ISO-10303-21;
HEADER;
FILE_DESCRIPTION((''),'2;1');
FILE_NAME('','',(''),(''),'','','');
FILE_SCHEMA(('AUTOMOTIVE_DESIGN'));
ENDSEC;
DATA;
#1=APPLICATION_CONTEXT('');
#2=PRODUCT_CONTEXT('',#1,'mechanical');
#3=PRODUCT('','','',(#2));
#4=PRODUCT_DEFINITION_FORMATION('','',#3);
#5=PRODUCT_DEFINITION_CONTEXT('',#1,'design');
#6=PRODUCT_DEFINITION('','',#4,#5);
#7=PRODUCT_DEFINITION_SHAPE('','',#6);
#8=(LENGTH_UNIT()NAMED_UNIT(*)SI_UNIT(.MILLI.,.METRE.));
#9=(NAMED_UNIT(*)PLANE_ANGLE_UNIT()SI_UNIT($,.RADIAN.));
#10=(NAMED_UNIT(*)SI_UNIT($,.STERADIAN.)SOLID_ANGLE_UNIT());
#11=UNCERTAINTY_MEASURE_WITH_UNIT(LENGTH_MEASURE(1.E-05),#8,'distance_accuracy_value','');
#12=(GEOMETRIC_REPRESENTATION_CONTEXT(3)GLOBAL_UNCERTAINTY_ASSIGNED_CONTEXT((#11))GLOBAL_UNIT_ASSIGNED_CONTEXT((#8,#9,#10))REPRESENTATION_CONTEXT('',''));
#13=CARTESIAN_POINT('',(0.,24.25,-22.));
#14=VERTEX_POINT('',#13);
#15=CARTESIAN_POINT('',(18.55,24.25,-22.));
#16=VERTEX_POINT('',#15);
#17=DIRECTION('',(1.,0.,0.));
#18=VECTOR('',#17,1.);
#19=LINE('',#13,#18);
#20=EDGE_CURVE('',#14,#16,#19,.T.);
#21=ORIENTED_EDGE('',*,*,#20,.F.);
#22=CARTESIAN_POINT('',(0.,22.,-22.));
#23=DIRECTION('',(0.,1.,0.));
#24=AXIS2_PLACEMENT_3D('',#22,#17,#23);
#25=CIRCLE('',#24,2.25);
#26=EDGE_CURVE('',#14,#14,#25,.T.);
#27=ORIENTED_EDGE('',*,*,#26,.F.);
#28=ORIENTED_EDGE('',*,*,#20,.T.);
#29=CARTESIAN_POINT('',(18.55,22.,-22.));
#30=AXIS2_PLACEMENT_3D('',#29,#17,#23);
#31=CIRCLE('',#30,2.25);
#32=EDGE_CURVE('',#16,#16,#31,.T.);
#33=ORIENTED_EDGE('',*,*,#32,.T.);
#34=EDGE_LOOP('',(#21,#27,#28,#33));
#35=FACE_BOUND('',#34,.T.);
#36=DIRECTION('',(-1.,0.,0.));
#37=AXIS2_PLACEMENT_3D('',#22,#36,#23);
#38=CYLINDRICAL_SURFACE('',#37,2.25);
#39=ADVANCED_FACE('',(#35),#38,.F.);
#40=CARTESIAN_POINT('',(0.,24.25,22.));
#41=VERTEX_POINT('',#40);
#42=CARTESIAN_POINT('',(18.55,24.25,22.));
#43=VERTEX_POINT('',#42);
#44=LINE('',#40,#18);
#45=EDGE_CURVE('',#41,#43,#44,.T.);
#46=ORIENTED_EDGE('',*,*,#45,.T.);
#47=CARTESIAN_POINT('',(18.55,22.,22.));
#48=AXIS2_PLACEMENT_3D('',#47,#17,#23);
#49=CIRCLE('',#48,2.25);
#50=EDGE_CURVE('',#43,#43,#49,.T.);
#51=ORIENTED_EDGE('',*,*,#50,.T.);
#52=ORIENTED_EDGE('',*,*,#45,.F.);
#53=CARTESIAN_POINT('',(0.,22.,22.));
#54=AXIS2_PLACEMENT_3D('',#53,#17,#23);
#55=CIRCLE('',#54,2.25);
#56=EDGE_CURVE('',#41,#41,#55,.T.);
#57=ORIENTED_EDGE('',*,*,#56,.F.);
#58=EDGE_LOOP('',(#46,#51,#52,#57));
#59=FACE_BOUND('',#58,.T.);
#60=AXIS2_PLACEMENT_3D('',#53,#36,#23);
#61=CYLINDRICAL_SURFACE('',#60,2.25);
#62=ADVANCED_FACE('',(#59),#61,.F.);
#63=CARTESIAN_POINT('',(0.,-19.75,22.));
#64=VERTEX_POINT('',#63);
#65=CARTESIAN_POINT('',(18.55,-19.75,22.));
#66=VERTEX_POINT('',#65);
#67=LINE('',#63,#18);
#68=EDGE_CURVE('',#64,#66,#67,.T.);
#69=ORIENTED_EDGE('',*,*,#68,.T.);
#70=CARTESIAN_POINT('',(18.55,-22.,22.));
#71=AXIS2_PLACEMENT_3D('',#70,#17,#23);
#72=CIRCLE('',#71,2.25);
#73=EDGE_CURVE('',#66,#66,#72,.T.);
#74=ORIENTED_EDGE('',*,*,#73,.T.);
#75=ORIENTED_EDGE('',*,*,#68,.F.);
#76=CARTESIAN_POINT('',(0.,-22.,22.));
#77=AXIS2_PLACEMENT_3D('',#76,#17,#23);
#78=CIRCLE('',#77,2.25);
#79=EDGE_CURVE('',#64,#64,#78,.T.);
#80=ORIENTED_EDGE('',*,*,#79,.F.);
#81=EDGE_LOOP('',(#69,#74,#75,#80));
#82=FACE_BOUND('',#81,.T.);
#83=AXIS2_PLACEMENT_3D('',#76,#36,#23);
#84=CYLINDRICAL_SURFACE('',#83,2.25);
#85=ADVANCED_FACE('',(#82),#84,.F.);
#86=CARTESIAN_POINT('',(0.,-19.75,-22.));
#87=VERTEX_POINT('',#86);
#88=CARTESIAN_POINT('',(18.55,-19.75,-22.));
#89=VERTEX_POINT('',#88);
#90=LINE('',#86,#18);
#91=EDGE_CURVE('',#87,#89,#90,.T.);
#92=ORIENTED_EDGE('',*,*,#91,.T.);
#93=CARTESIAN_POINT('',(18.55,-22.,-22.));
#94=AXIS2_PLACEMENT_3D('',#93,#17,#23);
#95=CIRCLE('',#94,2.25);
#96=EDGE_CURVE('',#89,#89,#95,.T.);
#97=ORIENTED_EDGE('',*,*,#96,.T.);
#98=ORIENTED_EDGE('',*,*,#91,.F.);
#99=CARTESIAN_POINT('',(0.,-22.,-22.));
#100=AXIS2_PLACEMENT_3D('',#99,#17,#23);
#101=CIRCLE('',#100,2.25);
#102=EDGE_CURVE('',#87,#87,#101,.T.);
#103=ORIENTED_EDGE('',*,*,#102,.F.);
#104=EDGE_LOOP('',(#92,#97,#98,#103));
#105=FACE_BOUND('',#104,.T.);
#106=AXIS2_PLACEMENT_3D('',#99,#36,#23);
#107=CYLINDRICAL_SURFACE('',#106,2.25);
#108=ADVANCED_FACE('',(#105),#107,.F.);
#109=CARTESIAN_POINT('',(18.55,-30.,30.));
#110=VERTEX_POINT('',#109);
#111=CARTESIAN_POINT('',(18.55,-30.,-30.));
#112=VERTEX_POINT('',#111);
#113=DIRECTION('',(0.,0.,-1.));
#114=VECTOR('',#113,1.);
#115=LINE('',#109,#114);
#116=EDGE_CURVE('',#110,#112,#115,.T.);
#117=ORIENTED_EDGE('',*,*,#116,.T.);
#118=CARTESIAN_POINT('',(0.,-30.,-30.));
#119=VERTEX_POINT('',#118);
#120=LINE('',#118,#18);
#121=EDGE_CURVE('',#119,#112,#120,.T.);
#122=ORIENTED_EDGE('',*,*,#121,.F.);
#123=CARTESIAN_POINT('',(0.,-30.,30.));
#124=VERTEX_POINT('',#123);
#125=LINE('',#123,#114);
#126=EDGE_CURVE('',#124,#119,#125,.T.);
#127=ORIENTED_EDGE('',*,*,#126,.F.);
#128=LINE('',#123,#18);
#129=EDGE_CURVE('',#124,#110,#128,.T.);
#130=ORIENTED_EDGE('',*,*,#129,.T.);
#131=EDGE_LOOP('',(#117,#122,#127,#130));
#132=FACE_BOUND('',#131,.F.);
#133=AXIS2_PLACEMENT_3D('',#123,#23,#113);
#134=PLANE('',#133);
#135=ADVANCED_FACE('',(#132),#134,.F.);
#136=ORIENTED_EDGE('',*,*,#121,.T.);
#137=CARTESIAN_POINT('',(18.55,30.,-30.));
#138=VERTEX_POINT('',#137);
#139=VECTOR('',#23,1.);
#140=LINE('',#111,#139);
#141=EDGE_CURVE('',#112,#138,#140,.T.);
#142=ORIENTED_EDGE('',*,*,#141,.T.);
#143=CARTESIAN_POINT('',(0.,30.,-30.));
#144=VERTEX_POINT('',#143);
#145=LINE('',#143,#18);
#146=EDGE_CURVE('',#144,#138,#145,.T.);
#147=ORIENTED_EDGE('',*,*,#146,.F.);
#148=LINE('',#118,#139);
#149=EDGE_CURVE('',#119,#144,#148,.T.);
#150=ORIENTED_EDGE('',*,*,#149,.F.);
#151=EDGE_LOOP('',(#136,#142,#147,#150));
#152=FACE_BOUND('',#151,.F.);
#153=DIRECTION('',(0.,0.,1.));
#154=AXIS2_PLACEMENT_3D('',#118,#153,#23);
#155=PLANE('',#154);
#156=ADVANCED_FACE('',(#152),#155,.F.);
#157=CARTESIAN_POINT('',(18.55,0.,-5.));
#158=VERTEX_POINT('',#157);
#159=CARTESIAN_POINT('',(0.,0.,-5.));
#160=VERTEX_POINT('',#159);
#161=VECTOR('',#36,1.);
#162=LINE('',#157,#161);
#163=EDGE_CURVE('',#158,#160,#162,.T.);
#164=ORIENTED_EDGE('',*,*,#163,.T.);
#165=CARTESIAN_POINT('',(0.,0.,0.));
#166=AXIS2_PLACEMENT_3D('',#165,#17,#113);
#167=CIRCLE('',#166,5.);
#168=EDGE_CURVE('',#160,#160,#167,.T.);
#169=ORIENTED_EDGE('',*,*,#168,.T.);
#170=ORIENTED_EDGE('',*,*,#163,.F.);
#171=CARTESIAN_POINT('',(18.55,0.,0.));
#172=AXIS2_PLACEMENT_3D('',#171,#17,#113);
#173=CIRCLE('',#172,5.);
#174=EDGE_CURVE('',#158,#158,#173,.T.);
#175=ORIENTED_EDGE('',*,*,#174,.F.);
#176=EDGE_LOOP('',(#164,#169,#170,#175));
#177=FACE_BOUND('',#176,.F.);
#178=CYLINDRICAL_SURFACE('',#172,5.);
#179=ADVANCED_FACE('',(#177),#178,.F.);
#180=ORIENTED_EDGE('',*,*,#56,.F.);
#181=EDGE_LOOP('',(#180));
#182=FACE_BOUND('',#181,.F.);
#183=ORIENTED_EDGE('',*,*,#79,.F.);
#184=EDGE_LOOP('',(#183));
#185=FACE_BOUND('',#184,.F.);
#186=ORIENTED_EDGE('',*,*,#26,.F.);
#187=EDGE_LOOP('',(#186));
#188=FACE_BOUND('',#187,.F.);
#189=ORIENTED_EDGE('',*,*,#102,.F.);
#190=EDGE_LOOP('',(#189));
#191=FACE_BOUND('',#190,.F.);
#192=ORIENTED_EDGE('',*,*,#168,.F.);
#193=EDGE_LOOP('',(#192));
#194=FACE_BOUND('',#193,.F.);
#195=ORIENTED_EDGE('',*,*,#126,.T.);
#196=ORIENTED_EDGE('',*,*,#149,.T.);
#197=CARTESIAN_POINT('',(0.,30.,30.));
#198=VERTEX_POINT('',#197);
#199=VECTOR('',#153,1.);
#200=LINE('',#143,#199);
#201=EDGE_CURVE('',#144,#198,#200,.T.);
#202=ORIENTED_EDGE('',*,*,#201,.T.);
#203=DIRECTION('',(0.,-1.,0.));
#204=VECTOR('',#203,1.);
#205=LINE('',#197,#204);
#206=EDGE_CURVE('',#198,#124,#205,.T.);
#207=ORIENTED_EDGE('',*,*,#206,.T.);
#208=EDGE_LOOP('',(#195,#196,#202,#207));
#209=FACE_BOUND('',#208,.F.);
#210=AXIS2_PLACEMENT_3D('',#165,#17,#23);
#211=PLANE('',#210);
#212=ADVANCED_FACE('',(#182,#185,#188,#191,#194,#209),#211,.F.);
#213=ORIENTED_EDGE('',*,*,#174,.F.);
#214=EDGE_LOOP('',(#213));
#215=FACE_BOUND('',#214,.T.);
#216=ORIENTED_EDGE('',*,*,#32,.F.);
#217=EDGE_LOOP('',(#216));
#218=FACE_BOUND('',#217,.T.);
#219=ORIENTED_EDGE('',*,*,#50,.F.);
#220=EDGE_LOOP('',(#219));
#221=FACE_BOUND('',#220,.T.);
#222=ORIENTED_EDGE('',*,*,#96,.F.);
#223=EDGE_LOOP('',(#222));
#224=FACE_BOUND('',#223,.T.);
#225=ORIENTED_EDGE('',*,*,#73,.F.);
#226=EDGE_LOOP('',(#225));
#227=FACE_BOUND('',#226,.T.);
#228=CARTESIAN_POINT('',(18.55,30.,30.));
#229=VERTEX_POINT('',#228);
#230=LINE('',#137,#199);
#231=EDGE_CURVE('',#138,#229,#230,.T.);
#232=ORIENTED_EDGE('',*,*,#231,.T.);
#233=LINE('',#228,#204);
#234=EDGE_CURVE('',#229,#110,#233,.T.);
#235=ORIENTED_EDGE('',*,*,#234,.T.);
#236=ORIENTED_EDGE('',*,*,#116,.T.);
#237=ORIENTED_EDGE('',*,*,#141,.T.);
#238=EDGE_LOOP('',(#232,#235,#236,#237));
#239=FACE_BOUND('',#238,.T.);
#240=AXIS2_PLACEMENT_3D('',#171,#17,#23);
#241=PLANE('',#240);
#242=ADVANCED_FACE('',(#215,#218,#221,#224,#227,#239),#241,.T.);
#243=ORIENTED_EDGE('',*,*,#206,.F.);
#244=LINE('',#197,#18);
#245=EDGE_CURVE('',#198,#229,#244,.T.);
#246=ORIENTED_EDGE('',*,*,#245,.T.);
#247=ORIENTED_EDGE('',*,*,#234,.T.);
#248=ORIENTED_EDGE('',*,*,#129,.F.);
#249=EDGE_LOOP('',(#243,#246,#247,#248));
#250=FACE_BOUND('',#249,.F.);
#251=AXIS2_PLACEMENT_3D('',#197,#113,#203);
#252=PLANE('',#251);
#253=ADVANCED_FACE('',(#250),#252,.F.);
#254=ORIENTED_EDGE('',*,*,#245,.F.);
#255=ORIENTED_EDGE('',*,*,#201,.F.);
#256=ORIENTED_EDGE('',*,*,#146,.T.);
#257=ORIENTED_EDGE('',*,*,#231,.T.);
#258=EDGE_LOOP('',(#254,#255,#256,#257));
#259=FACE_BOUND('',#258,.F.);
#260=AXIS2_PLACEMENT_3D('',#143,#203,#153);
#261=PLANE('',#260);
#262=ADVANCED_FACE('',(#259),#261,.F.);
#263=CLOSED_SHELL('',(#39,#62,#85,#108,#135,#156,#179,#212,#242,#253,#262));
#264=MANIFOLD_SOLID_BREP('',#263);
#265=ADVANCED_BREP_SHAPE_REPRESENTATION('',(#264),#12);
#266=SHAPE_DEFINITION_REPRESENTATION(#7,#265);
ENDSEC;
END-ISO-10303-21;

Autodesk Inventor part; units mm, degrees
ref_plane "YZ Plane" through (0, 0, 0) normal (1, 0, 0) x (0, 1, 0)
ref_plane "XZ Plane" through (0, 0, 0) normal (0, 1, 0) x (-1, 0, 0)
ref_plane "XY Plane" through (0, 0, 0) normal (0, 0, 1) x (1, 0, 0)
sketch "Esquisse1" plane through (0, 0, 0) normal (1, 0, 0) x (0, 1, 0)
  line L0 (-30, -30) -> (30, -30)
  line L1 (30, -30) -> (30, 30)
  line L2 (30, 30) -> (-30, 30)
  line L3 (-30, 30) -> (-30, -30)
  line L4 (-30, -30) -> (30, 30) construction
  line L5 (30, -30) -> (-30, 30) construction
  circle A0 centre (22, 22) radius 2.25
  circle A1 centre (-22, 22) radius 2.25
  circle A2 centre (22, -22) radius 2.25
  circle A3 centre (-22, -22) radius 2.25
  point P0 (0, 0)
  dimension "d0" = 60
  dimension "d1" = 8
  dimension "d2" = 4.5
extrude "Extrusion1" add sketch "Esquisse1" along normal blind 18.55
sketch "Esquisse2" plane through (18.55, 0, 0) normal (1, 0, 0) x (0, 0, -1)
  circle A0 centre (0, 0) radius 5
  dimension "d5" = 10
extrude "Extrusion2" cut sketch "Esquisse2" against normal blind 18.55
properties part number "nut_blocker"
